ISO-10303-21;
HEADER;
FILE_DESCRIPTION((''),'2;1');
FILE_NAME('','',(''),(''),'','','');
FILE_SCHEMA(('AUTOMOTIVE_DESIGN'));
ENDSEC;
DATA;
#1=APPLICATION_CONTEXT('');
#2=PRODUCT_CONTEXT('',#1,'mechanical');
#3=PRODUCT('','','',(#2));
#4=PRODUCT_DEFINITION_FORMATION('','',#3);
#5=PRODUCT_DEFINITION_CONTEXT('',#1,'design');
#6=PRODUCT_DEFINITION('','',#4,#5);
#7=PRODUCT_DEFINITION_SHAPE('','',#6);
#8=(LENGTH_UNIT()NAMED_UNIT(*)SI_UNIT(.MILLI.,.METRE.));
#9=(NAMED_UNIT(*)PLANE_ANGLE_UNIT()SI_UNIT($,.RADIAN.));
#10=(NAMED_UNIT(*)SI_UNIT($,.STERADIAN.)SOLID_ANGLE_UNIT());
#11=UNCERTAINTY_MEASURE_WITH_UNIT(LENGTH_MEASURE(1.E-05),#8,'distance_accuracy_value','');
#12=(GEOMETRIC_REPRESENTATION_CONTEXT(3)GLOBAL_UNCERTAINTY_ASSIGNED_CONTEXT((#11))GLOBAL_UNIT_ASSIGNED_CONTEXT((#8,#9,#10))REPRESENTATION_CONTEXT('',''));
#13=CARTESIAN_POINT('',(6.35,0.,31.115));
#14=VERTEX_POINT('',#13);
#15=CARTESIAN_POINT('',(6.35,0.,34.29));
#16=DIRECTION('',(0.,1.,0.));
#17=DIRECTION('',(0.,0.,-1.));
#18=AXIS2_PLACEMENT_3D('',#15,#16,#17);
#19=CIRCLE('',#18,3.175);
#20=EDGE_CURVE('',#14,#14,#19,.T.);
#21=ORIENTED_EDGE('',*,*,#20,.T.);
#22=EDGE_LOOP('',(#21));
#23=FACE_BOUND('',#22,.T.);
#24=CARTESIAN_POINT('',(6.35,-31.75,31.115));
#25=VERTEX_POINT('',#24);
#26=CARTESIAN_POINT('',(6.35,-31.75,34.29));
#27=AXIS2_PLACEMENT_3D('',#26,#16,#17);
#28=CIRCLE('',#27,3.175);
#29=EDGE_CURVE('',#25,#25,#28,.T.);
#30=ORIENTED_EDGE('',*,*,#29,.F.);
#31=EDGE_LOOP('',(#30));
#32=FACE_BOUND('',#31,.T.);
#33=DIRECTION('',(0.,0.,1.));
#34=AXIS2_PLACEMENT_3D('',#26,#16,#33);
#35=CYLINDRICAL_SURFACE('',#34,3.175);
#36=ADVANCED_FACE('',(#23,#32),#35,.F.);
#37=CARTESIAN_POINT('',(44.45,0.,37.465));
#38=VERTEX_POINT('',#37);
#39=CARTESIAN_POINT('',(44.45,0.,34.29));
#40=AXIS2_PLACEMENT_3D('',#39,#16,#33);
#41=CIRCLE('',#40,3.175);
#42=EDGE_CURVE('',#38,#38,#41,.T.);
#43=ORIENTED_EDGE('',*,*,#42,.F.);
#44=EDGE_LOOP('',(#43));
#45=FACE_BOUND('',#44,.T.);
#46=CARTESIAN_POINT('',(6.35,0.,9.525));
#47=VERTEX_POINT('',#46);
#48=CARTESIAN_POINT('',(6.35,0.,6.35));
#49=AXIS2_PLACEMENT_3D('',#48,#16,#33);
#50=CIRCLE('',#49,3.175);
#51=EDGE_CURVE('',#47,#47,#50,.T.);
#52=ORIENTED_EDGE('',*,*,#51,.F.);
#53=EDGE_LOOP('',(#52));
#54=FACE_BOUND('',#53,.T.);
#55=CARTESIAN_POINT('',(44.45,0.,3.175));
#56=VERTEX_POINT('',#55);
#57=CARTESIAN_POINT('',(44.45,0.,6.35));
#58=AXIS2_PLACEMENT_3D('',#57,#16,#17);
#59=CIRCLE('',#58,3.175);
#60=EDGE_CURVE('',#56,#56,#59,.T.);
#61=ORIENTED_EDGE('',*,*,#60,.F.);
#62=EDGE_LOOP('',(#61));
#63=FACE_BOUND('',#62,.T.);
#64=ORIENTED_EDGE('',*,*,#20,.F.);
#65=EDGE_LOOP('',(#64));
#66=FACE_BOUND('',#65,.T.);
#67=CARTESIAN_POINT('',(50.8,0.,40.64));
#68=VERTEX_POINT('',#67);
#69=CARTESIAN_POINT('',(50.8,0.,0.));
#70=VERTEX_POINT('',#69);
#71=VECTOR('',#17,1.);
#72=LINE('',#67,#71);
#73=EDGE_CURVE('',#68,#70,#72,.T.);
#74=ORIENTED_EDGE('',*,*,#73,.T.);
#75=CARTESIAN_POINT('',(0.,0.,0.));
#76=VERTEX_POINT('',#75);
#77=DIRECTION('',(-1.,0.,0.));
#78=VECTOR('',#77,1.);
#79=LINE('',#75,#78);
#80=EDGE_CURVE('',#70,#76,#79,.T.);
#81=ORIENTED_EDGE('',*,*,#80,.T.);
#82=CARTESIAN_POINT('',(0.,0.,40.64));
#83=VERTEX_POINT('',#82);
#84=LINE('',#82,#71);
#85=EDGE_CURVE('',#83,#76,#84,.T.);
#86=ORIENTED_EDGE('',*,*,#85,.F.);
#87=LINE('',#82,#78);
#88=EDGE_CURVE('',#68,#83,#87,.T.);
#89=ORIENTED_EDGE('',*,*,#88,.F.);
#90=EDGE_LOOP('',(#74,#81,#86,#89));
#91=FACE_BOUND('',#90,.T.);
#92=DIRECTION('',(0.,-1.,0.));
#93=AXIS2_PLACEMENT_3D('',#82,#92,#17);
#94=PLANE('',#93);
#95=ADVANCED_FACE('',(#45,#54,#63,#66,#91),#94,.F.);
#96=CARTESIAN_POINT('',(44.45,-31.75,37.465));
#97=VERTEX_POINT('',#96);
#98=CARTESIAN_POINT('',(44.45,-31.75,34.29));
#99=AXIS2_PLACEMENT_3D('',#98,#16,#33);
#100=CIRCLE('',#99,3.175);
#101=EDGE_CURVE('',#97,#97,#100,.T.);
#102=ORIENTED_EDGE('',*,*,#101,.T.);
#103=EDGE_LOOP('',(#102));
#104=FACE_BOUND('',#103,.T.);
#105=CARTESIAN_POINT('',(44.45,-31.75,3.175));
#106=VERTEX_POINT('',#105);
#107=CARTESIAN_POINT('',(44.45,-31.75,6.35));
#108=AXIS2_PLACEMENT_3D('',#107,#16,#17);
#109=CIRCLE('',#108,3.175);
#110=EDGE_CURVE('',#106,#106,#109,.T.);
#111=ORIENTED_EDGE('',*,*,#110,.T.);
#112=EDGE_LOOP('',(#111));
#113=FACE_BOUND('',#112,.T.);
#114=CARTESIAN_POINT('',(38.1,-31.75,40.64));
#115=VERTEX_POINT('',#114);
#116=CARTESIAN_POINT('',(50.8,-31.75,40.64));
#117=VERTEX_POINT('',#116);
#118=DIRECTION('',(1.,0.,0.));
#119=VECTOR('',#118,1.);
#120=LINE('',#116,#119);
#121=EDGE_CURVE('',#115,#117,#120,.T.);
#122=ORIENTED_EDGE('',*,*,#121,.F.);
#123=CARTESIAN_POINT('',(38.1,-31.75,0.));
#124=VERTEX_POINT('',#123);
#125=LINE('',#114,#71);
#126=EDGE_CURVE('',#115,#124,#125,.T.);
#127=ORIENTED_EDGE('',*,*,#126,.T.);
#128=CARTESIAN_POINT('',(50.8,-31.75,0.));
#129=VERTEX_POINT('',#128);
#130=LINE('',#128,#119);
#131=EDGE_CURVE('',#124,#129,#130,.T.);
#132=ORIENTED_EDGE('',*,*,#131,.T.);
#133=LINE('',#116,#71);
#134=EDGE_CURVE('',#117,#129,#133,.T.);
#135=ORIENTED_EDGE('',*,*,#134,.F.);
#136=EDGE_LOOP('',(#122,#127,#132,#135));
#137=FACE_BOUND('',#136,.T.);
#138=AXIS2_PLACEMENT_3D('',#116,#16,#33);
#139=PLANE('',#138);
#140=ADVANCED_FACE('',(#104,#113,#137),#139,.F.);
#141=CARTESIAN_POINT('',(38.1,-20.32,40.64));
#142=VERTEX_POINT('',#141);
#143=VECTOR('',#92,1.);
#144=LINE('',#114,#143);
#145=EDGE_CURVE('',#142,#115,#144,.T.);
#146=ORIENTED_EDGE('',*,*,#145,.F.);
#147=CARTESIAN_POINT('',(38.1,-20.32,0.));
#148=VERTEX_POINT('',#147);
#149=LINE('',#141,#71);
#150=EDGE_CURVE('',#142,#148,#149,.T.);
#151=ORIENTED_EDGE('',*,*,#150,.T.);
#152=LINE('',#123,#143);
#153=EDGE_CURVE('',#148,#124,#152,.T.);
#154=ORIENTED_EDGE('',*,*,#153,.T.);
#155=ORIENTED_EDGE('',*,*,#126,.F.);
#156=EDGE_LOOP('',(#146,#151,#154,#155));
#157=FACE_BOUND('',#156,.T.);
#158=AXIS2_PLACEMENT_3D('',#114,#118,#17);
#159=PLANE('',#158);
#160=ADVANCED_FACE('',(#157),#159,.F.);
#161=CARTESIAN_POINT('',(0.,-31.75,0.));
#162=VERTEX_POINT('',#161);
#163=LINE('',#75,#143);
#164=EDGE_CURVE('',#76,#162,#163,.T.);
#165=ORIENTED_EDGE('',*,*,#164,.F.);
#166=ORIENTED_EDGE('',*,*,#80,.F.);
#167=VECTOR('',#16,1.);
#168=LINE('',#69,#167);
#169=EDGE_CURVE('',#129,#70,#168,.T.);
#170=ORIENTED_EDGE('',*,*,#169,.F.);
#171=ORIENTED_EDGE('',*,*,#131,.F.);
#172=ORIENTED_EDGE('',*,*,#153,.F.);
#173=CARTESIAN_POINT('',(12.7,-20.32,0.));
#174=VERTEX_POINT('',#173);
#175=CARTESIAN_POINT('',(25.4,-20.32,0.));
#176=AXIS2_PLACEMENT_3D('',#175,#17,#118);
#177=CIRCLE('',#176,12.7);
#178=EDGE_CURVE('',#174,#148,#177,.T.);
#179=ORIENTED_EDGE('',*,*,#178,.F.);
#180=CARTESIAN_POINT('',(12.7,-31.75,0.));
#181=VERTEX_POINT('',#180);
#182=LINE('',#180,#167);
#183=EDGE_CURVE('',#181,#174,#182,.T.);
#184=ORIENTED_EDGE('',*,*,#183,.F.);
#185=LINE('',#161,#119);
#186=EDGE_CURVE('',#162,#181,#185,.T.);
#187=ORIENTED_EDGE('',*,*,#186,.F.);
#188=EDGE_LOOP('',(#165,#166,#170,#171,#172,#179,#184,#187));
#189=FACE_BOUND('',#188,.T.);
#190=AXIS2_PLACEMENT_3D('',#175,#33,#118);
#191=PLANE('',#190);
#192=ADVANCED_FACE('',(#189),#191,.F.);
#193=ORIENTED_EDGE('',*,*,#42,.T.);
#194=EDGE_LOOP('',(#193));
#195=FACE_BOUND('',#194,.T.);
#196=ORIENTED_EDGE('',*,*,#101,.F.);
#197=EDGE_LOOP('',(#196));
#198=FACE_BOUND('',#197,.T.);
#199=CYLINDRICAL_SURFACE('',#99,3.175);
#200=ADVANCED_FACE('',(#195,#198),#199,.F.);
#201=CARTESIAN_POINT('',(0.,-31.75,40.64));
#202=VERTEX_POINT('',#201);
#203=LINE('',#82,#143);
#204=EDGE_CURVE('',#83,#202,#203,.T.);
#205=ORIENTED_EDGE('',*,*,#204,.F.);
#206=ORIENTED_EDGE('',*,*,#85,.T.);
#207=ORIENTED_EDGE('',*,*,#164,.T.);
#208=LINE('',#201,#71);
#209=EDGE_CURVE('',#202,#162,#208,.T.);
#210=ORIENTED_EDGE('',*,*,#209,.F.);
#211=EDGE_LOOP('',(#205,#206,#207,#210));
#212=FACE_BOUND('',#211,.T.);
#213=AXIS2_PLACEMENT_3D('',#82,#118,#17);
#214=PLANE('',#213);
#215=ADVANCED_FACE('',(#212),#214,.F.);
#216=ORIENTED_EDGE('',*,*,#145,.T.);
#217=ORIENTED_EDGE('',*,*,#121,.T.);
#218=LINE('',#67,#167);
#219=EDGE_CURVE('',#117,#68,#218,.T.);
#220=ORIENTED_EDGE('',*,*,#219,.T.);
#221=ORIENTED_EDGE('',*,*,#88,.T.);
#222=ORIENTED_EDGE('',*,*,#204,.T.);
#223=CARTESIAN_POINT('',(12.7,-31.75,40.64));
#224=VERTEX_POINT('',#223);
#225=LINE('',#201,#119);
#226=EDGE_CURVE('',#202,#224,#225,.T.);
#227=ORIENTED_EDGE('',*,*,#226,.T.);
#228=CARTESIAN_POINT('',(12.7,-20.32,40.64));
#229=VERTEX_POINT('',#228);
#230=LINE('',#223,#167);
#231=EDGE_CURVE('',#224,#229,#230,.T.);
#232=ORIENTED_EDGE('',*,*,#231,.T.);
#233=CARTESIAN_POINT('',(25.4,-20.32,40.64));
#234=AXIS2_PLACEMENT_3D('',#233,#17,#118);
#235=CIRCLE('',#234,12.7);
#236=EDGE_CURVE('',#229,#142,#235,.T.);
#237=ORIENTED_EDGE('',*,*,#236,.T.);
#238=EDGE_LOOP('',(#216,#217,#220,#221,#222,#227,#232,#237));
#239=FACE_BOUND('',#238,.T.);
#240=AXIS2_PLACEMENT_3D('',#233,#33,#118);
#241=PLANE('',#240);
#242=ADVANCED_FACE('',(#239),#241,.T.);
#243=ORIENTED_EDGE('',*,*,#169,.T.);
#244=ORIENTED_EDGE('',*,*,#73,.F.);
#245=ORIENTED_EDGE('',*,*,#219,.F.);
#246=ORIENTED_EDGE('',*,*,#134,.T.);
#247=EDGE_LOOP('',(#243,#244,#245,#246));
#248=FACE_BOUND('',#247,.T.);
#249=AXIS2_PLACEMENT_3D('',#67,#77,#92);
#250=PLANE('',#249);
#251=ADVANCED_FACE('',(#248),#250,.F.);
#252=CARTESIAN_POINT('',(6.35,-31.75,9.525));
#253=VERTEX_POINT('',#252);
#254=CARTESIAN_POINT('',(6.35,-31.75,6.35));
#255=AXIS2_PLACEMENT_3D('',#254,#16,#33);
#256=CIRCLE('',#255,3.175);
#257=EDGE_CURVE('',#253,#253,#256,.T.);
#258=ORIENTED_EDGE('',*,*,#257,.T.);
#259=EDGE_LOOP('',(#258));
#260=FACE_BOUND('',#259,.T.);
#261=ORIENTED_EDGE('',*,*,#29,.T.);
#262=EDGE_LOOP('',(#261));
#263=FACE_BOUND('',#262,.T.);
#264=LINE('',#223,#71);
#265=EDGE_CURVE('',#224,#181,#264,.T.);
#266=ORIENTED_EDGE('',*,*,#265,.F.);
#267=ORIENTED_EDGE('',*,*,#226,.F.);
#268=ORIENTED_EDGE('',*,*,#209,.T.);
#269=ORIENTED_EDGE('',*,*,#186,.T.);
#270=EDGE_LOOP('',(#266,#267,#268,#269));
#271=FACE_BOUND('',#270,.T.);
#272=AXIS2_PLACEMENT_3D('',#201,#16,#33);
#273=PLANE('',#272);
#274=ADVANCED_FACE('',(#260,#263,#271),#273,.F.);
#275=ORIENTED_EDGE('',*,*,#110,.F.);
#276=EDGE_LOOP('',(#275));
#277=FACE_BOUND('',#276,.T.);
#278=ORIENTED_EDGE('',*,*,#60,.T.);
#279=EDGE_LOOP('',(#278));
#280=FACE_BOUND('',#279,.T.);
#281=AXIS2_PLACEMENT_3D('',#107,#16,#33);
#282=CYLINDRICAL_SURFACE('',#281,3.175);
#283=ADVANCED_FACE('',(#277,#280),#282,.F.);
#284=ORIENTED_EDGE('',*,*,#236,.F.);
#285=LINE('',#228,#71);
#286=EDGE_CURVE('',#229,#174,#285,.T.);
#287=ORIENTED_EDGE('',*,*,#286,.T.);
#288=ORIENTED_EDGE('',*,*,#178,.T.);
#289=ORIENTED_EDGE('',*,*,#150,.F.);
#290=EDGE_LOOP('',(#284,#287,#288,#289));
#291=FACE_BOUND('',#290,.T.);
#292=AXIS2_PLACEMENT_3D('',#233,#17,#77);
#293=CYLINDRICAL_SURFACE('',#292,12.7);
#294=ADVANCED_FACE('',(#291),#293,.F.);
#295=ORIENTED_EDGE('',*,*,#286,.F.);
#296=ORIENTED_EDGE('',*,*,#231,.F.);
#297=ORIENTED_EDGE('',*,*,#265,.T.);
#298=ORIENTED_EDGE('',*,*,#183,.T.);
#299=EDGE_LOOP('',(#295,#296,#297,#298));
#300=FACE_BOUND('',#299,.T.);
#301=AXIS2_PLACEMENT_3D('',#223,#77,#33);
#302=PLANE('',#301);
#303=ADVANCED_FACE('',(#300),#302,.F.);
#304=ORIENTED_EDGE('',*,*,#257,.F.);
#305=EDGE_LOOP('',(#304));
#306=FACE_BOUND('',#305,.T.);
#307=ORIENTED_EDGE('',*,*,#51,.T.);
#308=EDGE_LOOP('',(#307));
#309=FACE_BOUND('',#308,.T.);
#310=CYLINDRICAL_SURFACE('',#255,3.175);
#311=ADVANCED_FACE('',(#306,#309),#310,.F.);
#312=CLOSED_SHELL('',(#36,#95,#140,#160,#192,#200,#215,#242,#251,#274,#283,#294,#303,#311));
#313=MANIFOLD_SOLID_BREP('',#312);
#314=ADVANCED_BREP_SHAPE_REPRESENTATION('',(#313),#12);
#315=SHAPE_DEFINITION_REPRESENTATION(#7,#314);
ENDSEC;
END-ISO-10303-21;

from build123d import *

# Parameters (mm, degrees)
BOSS_EXTRUDE1_DEPTH = 40.64
SKETCH2_R           = 3.175
CUT_EXTRUDE1_DEPTH  = 73.39


with BuildPart() as part:
    # Sketch1 → Boss-Extrude1 (new body)
    with BuildSketch(Plane.XY):
        with BuildLine():
            Line((0, 0), (50.8, 0))
            Line((50.8, 0), (50.8, -31.75))
            Line((50.8, -31.75), (38.1, -31.75))
            Line((38.1, -31.75), (38.1, -20.32))
            ThreePointArc((38.1, -20.32), (25.4, -7.62), (12.7, -20.32))
            Line((12.7, -20.32), (12.7, -31.75))
            Line((12.7, -31.75), (0, -31.75))
            Line((0, -31.75), (0, 0))
        make_face()
    extrude(amount=BOSS_EXTRUDE1_DEPTH)

    # Sketch2 → Cut-Extrude1 (cut, through all)
    with BuildSketch(Plane(origin=(0, 0, 0), x_dir=(1, 0, 0), z_dir=(0, 1, 0))):
        with Locations(Location((6.35, -6.35, 0), (0, 0, 270))):
            Circle(SKETCH2_R)
        with Locations(Location((44.45, -6.35, 0), (0, 0, 90))):
            Circle(SKETCH2_R)
        with Locations(Location((6.35, -34.29, 0), (0, 0, 90))):
            Circle(SKETCH2_R)
        with Locations(Location((44.45, -34.29, 0), (0, 0, 270))):
            Circle(SKETCH2_R)
    extrude(amount=-CUT_EXTRUDE1_DEPTH, mode=Mode.SUBTRACT)


solid = part.part
